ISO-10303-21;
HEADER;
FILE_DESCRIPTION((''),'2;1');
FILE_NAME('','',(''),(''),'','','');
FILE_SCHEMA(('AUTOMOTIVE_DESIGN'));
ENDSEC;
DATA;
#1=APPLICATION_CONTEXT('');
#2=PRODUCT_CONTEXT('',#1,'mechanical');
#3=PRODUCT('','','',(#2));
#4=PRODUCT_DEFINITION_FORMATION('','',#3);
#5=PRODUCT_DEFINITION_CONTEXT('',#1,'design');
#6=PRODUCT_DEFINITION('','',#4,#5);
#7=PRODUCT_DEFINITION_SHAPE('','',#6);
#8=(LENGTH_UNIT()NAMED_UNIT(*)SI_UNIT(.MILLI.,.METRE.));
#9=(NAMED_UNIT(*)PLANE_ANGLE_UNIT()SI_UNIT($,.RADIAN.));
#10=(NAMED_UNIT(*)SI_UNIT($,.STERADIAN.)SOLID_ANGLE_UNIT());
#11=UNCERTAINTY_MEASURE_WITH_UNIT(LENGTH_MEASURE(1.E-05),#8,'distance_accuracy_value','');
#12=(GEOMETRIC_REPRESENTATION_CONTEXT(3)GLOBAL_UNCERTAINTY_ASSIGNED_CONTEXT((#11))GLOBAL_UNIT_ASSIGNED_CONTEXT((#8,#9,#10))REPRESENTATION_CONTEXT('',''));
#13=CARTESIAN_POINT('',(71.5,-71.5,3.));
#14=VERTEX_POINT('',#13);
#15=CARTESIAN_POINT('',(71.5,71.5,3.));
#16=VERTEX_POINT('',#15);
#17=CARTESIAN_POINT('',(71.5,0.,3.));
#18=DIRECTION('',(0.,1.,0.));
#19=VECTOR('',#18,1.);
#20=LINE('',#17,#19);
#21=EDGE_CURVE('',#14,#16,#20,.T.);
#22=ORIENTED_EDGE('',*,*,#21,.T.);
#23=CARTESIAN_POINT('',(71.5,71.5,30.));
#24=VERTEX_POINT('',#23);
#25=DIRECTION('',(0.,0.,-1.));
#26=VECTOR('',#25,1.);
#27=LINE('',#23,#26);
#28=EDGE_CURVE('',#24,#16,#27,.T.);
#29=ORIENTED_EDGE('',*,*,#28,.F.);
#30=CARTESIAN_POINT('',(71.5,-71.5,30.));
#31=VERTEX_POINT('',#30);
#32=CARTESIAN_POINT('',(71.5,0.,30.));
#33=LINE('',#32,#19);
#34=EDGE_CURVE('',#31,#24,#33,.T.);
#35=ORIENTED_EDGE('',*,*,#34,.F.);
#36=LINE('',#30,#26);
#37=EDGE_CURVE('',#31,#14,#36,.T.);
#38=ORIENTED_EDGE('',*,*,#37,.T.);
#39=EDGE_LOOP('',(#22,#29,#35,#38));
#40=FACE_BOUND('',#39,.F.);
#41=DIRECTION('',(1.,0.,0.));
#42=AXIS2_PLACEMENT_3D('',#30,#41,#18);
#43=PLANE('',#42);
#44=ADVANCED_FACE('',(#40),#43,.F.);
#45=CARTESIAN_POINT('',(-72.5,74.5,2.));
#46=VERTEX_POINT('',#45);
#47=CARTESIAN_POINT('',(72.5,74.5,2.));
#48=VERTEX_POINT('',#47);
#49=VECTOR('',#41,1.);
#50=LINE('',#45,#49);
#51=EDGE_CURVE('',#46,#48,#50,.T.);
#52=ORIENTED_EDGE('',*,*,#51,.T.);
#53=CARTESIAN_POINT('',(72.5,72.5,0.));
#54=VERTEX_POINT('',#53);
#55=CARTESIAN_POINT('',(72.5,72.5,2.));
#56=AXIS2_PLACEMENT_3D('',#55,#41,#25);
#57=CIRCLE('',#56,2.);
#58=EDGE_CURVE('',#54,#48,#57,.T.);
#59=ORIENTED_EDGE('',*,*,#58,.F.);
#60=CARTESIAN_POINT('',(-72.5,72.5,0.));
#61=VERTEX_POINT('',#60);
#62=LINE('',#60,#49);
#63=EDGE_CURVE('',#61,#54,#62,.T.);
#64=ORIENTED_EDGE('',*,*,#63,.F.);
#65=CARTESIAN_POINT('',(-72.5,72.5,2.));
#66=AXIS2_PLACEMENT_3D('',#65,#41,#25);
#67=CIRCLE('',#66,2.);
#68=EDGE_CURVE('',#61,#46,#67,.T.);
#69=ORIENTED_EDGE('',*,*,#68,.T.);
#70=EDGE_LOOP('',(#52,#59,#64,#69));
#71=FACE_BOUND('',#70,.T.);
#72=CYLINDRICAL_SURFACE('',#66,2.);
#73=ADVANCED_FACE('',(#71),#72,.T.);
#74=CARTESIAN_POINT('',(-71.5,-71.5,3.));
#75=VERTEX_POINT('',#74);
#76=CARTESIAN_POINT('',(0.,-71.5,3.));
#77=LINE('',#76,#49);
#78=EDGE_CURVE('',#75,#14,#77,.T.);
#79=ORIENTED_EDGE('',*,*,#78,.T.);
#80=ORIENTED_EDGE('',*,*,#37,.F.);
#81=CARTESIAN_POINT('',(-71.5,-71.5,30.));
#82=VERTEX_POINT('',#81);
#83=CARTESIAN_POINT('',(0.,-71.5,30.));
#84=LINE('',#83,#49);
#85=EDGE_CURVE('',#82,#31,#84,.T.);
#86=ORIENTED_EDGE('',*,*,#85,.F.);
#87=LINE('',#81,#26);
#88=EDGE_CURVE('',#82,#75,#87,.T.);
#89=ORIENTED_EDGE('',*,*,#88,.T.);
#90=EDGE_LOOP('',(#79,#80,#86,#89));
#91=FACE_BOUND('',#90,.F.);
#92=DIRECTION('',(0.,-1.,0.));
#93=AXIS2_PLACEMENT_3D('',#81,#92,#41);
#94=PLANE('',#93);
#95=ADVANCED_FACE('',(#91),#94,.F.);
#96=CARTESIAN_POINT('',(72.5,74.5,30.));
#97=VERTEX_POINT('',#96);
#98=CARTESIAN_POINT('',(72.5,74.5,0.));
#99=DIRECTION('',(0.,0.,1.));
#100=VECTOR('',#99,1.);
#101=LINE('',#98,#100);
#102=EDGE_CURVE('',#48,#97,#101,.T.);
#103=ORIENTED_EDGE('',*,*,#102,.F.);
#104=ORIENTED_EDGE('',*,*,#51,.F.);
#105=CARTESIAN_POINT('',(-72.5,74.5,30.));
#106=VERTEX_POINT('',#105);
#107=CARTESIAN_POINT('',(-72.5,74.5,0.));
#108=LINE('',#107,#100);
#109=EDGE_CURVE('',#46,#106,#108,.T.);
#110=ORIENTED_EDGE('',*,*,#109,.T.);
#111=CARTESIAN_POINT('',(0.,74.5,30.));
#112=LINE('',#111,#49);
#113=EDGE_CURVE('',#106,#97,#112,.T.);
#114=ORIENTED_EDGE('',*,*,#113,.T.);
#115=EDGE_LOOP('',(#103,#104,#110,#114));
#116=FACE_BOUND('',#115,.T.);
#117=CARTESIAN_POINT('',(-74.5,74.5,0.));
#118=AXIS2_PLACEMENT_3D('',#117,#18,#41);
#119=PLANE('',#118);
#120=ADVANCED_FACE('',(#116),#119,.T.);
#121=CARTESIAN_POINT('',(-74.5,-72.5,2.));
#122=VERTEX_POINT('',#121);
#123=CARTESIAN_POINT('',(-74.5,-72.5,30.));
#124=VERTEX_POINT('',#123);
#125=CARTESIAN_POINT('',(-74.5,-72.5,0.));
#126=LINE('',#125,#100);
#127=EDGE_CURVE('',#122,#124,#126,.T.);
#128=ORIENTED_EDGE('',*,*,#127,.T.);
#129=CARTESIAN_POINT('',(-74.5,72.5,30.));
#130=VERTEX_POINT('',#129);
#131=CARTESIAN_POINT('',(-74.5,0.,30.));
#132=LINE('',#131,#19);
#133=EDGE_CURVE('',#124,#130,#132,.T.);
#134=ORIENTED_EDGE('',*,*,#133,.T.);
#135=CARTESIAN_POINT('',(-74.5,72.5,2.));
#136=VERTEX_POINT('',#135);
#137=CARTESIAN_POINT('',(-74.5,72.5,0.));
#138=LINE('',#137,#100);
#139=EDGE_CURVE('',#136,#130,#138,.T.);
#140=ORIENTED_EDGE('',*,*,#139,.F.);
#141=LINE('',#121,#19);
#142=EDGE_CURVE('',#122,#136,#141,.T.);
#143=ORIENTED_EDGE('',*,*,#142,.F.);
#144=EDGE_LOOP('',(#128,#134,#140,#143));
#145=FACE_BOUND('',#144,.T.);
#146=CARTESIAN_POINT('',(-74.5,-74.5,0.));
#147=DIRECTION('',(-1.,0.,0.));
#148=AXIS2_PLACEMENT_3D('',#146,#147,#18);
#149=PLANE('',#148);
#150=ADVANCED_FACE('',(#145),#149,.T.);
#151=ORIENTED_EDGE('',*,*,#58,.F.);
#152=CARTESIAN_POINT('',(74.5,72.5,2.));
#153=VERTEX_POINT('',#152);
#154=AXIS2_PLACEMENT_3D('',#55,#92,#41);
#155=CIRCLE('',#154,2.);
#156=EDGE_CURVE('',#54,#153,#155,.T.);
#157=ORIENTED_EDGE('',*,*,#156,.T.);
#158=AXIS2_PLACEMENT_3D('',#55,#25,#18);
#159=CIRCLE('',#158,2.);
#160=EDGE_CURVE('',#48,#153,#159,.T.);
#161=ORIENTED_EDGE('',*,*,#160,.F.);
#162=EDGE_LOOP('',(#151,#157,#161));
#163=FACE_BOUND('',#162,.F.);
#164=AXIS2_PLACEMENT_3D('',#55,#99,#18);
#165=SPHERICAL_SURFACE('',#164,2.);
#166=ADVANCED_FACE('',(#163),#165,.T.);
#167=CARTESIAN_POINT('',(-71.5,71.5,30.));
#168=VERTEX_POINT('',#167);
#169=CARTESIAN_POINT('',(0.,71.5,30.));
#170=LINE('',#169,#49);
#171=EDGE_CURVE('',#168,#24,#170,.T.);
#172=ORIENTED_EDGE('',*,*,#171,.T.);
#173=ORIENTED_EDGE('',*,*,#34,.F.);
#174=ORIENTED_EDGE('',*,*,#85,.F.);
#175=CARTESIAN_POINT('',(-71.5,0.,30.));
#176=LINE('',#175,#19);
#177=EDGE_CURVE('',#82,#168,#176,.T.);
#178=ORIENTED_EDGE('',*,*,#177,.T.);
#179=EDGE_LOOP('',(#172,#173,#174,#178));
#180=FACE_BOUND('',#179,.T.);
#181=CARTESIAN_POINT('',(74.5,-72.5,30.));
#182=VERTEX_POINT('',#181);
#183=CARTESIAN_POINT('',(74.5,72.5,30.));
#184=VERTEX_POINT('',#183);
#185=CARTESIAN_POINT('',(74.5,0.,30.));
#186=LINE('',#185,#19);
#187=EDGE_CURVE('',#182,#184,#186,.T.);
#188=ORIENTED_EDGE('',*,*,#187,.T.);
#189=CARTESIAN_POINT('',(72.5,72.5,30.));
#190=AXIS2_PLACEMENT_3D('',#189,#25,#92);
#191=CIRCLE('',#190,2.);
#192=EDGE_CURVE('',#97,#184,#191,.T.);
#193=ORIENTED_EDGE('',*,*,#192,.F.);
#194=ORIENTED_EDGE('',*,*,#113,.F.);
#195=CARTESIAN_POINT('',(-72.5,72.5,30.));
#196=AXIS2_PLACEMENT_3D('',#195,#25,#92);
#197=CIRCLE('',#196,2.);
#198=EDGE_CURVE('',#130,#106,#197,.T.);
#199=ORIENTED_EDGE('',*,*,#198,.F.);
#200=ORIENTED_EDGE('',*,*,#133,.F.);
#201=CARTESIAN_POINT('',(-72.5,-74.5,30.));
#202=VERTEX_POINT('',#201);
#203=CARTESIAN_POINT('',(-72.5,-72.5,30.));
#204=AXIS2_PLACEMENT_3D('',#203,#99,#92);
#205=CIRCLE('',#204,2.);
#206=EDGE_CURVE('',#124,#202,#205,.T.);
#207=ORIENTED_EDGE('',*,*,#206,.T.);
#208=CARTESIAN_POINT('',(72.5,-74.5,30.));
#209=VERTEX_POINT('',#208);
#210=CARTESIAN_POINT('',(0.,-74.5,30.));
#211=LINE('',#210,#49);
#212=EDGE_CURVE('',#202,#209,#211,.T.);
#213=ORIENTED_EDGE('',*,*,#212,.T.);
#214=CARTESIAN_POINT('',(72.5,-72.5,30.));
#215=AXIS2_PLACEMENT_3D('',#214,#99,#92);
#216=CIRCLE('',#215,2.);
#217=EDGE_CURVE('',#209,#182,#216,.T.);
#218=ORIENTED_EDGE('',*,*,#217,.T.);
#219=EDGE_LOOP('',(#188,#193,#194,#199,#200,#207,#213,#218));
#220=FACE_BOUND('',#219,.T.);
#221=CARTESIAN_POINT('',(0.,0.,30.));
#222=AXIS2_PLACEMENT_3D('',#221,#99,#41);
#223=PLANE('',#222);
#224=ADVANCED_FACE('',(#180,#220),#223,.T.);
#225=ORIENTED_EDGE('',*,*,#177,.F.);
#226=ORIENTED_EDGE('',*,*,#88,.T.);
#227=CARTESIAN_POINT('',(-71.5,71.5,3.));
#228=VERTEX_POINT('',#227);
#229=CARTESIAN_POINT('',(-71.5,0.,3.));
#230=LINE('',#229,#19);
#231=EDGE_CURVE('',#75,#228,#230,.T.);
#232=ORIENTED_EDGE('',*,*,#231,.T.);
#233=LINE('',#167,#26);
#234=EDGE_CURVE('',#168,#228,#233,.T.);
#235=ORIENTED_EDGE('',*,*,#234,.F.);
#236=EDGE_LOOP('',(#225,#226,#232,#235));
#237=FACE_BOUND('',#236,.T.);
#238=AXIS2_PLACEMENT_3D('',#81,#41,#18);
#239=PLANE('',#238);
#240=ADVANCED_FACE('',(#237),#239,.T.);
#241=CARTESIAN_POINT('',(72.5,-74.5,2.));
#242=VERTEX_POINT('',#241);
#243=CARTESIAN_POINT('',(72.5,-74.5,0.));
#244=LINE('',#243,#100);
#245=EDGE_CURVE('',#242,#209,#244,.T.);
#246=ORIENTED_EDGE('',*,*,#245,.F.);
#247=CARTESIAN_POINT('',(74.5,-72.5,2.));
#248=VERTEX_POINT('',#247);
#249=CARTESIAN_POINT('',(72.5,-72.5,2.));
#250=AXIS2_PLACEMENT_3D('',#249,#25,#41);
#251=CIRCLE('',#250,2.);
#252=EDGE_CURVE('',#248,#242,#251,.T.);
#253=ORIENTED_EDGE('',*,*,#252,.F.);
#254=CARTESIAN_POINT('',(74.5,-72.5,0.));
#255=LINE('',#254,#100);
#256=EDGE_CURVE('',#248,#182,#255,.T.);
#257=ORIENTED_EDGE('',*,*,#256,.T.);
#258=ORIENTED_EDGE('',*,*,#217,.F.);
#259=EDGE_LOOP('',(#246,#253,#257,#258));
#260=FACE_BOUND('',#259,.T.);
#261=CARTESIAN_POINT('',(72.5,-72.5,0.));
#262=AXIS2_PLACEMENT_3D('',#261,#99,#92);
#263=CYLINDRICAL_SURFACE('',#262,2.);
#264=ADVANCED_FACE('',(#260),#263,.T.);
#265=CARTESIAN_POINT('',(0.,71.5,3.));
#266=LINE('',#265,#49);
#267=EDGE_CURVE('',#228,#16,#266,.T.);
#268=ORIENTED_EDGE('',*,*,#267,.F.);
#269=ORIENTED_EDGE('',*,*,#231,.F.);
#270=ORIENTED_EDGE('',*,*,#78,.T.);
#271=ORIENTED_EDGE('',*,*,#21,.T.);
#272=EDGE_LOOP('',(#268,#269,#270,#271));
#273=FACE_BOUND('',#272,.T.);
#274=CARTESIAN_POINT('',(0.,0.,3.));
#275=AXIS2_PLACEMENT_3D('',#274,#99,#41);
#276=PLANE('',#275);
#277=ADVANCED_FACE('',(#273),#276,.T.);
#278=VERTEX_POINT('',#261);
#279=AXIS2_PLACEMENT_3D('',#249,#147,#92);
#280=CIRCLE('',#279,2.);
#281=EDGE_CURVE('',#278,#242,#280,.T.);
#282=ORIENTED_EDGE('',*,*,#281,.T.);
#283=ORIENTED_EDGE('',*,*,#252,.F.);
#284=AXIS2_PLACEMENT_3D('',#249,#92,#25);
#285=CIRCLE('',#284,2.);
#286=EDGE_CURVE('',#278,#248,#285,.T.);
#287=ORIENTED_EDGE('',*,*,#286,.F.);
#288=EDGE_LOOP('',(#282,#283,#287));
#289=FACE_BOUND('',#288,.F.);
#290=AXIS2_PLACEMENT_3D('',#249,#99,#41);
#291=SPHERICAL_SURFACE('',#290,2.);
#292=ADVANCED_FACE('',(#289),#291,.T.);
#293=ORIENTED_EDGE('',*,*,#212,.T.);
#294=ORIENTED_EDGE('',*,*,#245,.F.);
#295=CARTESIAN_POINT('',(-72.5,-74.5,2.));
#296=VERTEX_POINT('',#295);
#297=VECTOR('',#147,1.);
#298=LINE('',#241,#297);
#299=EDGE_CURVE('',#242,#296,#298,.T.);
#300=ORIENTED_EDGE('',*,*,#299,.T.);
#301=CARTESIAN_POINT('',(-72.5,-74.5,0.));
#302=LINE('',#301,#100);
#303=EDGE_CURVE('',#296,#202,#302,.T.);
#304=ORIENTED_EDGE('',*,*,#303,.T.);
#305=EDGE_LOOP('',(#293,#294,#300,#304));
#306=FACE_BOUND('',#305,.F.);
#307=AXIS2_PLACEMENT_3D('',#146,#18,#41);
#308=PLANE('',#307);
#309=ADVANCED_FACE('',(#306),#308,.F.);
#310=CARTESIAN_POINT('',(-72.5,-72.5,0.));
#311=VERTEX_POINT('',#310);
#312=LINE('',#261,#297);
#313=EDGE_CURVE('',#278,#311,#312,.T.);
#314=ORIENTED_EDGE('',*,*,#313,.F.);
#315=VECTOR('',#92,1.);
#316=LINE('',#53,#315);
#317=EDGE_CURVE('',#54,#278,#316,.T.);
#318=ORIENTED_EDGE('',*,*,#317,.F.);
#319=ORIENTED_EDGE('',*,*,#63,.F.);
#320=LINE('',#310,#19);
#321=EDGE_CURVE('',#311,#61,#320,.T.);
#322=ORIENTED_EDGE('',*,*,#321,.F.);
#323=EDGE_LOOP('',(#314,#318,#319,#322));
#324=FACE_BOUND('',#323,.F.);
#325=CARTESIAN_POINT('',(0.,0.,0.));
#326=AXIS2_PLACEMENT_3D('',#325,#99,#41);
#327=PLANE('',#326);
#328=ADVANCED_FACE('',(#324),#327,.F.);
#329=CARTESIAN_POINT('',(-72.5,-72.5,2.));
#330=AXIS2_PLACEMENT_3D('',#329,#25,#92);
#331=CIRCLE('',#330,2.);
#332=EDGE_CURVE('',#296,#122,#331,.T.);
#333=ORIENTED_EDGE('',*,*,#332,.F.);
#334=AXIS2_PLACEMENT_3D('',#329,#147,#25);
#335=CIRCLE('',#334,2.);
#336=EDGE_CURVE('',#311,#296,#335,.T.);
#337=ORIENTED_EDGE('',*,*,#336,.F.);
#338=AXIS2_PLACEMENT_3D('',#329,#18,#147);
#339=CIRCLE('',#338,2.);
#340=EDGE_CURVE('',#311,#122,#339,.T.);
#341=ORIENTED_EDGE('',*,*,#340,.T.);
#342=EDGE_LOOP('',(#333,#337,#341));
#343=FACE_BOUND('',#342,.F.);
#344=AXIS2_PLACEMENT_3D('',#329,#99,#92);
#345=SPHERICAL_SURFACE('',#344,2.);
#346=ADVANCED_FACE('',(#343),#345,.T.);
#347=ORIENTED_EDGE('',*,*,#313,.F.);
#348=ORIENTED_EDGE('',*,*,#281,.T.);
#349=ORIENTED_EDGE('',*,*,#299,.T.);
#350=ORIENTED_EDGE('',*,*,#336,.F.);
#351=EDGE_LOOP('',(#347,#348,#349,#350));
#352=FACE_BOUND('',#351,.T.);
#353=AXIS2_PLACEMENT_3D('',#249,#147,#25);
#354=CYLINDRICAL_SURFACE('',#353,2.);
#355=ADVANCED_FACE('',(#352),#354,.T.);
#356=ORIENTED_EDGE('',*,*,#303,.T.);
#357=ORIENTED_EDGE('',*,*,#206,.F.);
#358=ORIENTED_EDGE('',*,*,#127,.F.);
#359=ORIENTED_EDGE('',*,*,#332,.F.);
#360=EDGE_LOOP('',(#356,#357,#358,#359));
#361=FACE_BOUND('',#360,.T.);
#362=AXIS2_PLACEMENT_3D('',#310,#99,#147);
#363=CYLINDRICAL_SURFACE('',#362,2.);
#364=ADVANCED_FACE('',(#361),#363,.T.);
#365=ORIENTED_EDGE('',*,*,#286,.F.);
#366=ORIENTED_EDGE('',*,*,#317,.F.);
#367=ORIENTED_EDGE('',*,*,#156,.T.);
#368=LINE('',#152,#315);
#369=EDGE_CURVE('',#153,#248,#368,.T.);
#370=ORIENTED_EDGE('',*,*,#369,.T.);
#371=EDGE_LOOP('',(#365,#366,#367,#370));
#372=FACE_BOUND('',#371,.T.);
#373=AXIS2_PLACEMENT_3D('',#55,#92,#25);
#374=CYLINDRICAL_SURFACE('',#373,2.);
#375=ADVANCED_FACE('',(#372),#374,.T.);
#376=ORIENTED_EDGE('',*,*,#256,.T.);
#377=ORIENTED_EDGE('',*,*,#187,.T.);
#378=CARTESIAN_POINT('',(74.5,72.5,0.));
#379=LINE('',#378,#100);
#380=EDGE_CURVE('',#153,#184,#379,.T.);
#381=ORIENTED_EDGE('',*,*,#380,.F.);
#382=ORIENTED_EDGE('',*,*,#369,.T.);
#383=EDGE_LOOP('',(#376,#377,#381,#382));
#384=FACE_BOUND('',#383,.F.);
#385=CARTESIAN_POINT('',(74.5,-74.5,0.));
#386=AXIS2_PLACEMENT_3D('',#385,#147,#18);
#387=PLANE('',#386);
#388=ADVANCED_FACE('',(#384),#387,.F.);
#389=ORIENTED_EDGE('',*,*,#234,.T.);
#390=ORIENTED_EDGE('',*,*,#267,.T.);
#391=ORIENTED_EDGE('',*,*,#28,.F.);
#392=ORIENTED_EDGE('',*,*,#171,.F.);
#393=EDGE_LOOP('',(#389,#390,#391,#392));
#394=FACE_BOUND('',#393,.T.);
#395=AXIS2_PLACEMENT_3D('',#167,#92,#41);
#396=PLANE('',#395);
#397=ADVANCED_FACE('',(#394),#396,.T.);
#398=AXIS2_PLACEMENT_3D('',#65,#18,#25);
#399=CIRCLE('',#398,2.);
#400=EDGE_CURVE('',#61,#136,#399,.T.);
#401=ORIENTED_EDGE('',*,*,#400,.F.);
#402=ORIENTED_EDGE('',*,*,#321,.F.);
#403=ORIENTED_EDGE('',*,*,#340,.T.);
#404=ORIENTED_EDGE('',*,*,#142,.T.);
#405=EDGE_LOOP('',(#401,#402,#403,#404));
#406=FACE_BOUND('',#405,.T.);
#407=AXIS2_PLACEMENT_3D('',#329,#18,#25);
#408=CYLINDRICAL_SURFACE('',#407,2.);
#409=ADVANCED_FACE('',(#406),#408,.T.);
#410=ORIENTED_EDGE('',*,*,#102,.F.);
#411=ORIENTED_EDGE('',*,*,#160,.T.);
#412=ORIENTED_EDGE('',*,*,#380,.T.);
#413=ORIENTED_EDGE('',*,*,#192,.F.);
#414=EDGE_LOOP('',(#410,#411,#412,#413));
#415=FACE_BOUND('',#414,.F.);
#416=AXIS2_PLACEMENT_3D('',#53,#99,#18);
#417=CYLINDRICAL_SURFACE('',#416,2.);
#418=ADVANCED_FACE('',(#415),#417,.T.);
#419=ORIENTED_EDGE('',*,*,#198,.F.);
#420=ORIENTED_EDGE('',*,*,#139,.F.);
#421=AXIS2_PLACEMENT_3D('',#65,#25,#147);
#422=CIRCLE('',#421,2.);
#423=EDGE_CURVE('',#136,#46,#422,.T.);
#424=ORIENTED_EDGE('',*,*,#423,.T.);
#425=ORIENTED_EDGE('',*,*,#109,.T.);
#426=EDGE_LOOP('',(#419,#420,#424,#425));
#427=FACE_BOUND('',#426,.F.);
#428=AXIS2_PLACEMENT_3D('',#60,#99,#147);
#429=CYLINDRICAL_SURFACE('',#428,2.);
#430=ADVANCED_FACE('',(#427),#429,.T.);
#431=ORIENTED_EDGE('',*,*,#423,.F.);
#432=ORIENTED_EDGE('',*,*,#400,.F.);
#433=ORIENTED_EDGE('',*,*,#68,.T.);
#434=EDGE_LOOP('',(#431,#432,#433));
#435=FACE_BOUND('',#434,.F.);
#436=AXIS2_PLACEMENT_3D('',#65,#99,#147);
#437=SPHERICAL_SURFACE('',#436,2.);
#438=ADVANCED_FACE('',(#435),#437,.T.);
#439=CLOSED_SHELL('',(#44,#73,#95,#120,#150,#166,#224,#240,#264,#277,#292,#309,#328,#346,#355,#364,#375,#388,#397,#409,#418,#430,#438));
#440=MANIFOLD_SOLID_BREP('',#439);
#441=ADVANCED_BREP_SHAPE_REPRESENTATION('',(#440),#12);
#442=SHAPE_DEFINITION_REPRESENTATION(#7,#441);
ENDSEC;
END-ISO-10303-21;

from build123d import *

# Parameters (mm, degrees)
SKETCH_W     = 149
SKETCH_H     = 149
PAD_DEPTH    = 30
SKETCH001_W  = 143
SKETCH001_H  = 143
POCKET_DEPTH = 27
FILLET_R     = 2
FILLET001_R  = 2


with BuildPart() as part:
    # Sketch → Pad (new body)
    with BuildSketch(Plane.XY):
        Rectangle(SKETCH_W, SKETCH_H)
    extrude(amount=PAD_DEPTH)

    # Sketch001 (on Face6 of Pad) → Pocket (cut)
    with BuildSketch(Plane.XY.offset(30)):
        Rectangle(SKETCH001_W, SKETCH001_H)
    extrude(amount=-POCKET_DEPTH, mode=Mode.SUBTRACT)

    # Fillet
    fillet_edges = [part.edges().sort_by_distance(p)[0] for p in [
        (74.5, -74.5, 15),
        (-74.5, -74.5, 15),
        (74.5, 74.5, 15),
        (-74.5, 74.5, 15),
    ]]
    fillet(fillet_edges, radius=FILLET_R)

    # Fillet001
    fillet001_edges = [part.edges().sort_by_distance(p)[0] for p in [
        (0, 74.5, 0),
        (-74.5, 0, 0),
        (0, -74.5, 0),
        (74.5, 0, 0),
    ]]
    fillet(fillet001_edges, radius=FILLET001_R)


solid = part.part
